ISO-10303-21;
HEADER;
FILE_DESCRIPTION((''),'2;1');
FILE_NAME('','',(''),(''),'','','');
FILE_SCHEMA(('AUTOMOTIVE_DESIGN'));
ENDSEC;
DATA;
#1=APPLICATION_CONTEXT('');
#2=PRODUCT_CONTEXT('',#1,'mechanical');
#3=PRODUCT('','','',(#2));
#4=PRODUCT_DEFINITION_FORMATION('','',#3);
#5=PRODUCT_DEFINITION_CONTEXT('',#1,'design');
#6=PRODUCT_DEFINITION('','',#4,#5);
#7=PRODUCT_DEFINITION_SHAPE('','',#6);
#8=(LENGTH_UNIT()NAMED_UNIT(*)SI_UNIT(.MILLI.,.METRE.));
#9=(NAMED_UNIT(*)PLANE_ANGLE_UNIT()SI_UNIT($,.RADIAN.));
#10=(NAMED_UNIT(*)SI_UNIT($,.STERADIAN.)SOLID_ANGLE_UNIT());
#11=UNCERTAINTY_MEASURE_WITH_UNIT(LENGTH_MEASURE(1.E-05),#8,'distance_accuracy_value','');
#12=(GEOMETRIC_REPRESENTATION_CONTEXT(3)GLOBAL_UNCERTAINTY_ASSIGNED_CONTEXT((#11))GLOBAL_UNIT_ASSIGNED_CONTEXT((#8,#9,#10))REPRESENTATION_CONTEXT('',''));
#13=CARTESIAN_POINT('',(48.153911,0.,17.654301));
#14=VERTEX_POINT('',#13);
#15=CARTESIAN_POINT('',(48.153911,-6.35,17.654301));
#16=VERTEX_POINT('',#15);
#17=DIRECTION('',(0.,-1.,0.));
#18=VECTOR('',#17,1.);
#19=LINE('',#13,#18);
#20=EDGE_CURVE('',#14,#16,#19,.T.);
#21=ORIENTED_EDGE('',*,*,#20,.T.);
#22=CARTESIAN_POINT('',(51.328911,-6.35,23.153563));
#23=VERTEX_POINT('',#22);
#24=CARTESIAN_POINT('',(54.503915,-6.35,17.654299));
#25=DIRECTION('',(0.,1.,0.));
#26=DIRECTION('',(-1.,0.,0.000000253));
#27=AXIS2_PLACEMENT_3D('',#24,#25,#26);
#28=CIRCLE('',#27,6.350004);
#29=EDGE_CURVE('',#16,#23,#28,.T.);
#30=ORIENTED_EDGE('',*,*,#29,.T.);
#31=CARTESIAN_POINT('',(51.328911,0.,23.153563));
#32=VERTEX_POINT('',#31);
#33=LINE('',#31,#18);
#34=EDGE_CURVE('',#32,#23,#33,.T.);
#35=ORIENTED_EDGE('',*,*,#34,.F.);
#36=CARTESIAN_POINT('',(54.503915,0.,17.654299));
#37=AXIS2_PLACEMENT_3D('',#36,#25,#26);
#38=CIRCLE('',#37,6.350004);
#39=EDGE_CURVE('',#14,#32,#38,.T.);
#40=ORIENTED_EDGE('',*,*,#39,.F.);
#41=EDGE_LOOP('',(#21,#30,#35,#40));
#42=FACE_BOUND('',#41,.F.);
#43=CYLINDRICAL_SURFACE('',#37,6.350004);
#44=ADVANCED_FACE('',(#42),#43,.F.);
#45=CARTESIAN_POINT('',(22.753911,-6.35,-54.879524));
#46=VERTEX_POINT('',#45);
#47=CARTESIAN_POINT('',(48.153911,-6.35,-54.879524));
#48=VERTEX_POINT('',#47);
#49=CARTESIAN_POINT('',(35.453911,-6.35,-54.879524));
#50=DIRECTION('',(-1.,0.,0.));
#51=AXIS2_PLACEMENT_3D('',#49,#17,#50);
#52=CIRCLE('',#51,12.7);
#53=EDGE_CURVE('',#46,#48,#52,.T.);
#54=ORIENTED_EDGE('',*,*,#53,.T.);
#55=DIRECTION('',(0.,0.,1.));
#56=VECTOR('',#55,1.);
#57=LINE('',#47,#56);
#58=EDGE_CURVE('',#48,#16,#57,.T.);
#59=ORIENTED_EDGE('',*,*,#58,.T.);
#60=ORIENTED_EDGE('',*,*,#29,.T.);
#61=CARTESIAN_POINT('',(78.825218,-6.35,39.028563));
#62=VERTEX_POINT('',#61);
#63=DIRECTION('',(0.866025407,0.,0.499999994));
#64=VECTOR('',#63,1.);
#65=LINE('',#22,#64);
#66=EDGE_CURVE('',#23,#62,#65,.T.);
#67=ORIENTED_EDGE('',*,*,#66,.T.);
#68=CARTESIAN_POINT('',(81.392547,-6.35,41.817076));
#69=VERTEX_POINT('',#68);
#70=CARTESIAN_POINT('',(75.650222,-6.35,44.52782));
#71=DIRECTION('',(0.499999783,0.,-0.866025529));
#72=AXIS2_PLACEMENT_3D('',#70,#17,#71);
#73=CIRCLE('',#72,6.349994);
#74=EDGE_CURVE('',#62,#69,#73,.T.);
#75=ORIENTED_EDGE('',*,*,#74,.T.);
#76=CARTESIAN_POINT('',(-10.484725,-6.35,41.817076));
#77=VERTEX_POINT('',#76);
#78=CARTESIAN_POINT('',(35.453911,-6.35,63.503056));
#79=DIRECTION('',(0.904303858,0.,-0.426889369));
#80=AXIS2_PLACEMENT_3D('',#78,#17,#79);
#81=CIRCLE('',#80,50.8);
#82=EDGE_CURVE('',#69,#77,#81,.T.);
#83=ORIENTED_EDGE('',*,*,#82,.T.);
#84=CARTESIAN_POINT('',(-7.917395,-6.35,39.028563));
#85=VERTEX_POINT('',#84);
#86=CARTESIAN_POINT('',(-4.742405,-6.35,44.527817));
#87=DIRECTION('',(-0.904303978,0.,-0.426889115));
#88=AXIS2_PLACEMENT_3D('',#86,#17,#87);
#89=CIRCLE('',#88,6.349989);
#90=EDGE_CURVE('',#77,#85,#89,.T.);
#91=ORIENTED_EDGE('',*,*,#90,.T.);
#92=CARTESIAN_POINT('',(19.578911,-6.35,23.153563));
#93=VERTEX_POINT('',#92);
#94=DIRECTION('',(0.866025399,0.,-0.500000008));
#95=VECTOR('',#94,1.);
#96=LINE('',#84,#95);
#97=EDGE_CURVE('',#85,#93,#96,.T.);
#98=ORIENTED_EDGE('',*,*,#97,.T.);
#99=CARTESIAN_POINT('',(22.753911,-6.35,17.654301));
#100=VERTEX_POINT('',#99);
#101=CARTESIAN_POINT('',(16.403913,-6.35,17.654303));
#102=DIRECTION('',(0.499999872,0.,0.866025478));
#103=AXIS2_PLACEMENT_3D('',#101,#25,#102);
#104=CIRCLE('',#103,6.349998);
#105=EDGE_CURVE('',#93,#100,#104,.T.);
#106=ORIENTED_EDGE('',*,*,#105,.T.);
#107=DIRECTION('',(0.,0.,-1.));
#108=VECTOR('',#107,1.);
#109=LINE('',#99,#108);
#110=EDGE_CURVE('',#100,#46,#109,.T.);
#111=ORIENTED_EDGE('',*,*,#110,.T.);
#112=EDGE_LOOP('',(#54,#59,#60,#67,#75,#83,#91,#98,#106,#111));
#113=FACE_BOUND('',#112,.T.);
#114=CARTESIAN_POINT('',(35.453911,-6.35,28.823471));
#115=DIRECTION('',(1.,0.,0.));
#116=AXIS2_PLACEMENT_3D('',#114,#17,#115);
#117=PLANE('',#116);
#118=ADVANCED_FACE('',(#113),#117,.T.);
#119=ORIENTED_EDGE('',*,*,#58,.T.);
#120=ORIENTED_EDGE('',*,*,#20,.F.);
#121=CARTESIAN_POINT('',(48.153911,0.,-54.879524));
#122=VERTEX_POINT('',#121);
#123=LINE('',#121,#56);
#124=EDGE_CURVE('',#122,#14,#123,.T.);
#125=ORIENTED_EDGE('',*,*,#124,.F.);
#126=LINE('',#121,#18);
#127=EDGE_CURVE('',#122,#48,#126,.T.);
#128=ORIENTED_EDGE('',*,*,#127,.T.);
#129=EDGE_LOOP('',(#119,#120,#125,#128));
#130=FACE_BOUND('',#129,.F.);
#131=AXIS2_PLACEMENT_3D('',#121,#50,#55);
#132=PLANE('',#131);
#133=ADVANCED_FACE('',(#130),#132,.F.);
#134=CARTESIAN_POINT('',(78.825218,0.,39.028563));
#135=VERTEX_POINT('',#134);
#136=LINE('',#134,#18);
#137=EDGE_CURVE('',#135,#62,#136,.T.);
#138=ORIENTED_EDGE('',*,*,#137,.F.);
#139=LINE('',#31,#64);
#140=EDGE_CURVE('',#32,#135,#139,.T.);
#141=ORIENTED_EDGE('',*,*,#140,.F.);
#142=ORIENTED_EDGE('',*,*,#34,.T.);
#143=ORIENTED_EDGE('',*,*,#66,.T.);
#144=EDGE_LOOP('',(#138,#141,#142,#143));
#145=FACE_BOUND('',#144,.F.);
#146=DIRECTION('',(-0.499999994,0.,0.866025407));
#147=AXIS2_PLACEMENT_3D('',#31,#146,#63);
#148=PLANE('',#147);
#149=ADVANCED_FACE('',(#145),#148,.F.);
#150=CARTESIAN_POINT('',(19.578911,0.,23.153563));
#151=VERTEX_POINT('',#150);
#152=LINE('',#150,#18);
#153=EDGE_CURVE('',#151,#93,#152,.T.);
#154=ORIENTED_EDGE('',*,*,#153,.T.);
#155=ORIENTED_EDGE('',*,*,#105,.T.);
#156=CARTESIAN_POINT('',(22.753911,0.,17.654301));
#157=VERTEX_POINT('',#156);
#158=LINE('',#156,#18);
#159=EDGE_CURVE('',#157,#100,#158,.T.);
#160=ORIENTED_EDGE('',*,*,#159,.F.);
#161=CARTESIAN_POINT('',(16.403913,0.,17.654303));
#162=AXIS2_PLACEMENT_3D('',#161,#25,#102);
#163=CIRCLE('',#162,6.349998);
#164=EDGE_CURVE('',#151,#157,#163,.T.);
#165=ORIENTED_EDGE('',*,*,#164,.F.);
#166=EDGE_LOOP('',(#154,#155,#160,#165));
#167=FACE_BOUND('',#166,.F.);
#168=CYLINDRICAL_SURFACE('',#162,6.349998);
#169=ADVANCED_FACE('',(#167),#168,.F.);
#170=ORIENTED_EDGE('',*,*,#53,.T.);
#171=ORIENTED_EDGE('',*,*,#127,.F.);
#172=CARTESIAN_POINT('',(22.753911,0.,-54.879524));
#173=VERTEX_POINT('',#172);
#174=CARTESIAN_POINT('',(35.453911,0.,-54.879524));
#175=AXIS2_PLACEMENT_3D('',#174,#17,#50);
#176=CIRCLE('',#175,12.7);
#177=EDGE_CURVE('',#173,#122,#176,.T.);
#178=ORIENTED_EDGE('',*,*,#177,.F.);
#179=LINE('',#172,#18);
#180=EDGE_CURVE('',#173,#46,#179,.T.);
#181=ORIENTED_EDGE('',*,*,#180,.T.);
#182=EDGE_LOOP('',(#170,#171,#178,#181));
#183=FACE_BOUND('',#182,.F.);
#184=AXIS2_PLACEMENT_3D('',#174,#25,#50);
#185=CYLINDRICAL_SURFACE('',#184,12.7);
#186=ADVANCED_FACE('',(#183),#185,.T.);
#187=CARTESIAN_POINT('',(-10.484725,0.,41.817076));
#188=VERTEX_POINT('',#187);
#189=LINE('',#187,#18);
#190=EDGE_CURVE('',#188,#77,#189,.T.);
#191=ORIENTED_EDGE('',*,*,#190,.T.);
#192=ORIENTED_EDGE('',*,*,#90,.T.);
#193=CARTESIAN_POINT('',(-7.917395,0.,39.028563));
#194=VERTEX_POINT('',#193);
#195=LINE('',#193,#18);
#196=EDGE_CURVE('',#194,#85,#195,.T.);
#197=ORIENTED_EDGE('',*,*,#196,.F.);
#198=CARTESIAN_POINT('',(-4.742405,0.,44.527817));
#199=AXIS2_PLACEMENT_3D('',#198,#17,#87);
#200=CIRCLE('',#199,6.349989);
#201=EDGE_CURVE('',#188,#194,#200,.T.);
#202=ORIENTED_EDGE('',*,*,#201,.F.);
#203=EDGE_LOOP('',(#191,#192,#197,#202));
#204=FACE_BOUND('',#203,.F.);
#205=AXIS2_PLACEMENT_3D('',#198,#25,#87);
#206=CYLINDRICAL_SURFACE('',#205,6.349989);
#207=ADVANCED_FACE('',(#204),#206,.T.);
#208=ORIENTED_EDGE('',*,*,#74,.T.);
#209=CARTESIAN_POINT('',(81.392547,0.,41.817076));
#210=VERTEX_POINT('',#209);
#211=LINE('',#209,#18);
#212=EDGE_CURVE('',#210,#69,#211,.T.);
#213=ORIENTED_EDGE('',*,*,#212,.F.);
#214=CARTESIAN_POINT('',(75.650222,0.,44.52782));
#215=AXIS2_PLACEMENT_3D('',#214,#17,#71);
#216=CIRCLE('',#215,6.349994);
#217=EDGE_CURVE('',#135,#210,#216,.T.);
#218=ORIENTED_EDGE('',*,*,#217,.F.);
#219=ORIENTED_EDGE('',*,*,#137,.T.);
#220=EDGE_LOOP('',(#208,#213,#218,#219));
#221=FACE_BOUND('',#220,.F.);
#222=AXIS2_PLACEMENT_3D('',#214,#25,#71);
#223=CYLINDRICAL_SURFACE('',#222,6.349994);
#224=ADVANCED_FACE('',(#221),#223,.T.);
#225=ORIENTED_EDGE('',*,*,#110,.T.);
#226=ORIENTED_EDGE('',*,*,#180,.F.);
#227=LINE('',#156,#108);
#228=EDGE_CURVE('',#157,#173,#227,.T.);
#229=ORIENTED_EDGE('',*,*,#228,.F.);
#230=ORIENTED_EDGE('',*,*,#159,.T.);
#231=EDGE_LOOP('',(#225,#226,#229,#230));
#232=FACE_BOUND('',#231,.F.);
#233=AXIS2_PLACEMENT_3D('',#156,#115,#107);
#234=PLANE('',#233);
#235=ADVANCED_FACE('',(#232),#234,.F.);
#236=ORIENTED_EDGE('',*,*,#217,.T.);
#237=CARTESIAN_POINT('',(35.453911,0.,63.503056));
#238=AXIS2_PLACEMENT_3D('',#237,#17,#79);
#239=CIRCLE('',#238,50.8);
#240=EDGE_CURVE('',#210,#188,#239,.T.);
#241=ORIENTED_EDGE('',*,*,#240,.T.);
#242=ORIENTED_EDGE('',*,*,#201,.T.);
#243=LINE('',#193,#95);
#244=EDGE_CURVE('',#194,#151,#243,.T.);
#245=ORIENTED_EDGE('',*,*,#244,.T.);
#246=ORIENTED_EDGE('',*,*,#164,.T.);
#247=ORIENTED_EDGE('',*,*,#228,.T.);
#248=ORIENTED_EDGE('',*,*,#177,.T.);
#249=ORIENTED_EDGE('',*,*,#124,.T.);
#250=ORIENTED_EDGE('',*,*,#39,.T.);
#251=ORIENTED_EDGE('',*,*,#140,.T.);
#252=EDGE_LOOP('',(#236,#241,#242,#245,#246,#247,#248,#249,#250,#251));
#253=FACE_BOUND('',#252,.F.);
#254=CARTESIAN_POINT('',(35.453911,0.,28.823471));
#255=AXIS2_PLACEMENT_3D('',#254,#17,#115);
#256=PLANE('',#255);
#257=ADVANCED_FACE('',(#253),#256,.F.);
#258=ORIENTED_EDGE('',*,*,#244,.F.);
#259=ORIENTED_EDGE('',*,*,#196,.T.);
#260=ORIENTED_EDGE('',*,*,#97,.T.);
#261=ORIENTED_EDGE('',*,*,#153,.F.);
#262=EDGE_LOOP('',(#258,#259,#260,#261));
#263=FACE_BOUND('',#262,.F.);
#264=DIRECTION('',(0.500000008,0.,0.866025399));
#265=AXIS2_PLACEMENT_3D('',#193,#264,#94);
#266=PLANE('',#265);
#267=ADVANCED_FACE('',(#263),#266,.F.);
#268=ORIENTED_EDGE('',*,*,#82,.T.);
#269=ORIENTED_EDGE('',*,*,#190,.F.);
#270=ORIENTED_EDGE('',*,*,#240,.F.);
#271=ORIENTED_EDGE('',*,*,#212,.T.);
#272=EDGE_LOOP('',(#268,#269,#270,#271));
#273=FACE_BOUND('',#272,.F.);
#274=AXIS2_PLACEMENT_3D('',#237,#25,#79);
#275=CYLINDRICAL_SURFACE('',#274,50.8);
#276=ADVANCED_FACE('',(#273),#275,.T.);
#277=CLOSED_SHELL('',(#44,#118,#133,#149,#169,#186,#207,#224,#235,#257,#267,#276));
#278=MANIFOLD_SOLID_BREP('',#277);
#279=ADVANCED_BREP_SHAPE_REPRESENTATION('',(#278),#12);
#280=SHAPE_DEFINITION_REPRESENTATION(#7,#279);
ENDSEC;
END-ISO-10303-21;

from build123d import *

# Parameters (mm, degrees)
F1_DEPTH = 6.35


with BuildPart() as f1:
    # F0 (on Front) → F1 (new body)
    with BuildSketch(Plane.XZ):
        with BuildLine():
            ThreePointArc((19.578911, 23.153563), (21.903173, 20.829301), (22.753911, 17.654301))
            Line((22.753911, 17.654301), (22.753911, -54.879524))
            ThreePointArc((22.753911, -54.879524), (35.453911, -67.579524), (48.153911, -54.879524))
            Line((48.153911, -54.879524), (48.153911, 17.654301))
            ThreePointArc((48.153911, 17.654301), (49.00465, 20.829301), (51.328911, 23.153563))
            Line((51.328911, 23.153563), (78.825218, 39.028563))
            ThreePointArc((78.825218, 39.028563), (80.321796, 40.226794), (81.392547, 41.817076))
            ThreePointArc((81.392547, 41.817076), (35.453911, 114.303056), (-10.484725, 41.817076))
            ThreePointArc((-10.484725, 41.817076), (-9.413974, 40.226794), (-7.917395, 39.028563))
            Line((-7.917395, 39.028563), (19.578911, 23.153563))
        make_face()
    extrude(amount=F1_DEPTH)


solid = f1.part
